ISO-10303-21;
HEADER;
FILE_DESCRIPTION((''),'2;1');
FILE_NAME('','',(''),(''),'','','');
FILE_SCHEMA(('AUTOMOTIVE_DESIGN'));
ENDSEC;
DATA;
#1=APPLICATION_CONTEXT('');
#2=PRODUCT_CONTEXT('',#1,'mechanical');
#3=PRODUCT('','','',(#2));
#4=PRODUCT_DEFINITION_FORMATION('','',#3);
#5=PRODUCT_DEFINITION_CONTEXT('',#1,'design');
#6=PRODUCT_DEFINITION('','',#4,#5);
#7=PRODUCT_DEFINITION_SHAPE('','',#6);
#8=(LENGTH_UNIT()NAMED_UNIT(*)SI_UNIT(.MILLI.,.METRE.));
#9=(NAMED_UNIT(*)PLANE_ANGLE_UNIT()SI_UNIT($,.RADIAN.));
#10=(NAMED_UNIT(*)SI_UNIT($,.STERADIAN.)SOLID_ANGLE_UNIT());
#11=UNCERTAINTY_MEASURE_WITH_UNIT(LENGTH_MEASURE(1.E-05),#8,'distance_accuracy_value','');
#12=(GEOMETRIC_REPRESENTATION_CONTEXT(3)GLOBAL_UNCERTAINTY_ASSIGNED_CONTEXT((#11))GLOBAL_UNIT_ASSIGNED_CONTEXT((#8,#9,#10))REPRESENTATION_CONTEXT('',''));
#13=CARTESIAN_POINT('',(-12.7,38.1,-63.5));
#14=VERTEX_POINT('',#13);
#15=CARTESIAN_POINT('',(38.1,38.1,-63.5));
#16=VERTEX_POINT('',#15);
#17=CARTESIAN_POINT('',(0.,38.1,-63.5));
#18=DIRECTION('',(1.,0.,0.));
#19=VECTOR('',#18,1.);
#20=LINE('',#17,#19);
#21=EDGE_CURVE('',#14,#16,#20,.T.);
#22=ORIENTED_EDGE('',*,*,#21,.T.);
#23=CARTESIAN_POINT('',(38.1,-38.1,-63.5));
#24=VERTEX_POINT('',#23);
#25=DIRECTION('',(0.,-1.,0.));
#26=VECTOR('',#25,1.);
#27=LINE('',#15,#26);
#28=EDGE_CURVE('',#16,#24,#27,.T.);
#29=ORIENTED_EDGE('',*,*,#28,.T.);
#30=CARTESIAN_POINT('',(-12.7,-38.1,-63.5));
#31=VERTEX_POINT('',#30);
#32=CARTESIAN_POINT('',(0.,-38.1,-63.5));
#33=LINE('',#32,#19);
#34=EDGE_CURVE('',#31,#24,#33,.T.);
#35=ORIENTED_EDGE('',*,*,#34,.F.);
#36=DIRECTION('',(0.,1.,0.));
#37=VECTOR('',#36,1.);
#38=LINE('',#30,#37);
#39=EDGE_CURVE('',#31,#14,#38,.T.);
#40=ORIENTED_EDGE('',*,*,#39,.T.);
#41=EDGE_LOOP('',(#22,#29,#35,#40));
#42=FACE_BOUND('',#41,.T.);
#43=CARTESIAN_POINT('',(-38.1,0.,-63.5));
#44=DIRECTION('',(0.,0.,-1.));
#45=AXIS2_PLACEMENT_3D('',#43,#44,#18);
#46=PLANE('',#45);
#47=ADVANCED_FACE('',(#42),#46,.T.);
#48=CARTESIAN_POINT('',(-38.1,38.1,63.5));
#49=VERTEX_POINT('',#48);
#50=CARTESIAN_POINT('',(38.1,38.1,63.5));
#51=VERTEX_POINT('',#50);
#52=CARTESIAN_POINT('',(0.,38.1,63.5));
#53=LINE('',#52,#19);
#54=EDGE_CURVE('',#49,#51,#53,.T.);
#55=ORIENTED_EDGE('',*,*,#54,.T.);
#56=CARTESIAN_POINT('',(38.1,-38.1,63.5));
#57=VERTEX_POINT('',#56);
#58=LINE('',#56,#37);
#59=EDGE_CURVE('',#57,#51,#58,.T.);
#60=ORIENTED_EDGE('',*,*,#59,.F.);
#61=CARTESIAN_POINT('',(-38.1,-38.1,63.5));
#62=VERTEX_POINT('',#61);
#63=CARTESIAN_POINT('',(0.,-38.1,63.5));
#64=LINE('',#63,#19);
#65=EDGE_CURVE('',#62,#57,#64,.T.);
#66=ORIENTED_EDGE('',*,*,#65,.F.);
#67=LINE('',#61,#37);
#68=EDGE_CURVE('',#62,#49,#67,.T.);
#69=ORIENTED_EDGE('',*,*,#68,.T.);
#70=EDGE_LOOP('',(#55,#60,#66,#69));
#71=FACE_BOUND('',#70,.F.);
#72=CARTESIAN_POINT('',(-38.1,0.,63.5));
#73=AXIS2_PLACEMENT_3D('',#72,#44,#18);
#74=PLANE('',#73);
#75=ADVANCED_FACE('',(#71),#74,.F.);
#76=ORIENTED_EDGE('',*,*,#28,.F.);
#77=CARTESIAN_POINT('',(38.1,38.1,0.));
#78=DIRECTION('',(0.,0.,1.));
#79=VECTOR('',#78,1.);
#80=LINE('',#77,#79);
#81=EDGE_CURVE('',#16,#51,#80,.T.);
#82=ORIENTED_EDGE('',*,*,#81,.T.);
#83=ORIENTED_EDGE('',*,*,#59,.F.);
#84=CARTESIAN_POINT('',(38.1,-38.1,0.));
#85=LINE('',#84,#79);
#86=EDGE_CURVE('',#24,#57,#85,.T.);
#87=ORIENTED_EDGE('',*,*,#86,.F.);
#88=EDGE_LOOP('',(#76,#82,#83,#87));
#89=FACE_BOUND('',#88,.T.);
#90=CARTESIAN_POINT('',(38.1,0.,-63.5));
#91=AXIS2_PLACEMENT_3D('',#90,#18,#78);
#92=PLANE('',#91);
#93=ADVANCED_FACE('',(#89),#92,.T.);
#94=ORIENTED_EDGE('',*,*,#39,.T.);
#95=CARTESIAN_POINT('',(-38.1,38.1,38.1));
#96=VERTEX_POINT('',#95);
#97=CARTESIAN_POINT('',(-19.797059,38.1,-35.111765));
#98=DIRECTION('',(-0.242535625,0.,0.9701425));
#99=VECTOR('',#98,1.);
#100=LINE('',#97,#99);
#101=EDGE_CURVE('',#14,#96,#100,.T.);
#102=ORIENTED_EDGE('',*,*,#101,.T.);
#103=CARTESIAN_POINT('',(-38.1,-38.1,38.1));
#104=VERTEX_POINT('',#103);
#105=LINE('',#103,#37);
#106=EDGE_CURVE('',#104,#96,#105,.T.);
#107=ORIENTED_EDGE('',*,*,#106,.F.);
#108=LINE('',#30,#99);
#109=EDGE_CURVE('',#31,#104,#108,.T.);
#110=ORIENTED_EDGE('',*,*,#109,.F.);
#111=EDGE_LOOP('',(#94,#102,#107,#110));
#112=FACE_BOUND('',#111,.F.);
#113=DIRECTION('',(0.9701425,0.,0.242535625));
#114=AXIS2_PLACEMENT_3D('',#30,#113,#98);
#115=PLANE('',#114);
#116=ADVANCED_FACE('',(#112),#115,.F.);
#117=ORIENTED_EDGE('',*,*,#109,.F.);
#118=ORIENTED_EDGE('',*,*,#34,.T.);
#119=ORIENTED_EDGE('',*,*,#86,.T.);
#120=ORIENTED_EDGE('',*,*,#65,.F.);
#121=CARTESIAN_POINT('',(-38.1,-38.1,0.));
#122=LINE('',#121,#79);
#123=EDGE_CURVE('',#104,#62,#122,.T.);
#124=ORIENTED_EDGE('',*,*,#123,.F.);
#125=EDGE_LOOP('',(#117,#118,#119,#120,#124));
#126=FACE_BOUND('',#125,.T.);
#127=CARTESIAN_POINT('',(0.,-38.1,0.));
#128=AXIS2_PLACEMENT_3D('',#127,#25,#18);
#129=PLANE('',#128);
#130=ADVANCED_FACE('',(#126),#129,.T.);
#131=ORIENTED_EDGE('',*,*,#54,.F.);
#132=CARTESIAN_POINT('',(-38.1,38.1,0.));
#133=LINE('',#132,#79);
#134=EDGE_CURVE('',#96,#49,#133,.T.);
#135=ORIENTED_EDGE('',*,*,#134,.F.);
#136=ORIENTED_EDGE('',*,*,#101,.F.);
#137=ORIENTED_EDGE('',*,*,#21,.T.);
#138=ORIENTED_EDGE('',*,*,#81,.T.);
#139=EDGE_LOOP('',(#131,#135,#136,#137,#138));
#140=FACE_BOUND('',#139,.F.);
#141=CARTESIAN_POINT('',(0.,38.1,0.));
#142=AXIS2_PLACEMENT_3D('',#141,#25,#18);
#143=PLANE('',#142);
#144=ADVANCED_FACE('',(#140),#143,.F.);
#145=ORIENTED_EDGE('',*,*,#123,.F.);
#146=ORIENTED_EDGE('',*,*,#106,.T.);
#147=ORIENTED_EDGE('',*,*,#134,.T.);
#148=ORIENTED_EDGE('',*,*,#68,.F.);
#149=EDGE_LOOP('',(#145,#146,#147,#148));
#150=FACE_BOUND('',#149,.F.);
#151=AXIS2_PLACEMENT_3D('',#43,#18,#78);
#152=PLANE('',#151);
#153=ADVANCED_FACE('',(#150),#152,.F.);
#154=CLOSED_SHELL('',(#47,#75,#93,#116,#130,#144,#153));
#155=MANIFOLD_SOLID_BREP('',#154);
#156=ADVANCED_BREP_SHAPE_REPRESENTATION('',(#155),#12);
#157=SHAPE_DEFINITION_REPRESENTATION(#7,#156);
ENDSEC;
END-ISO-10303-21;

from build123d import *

# Parameters (mm, degrees)
F0_W     = 76.2
F0_H     = 127
F1_DEPTH = 38.1
F3_DEPTH = 76.201


with BuildPart() as f1:
    # F0 (on Front) → F1 (new body, symmetric)
    with BuildSketch(Plane.XZ):
        Rectangle(F0_W, F0_H)
    extrude(amount=F1_DEPTH, both=True)

    # F2 (on face) → F3 (cut, through all)
    with BuildSketch(Plane.XZ.offset(38.1)):
        Polygon((-38.1, 38.1), (-38.1, -63.5), (-12.7, -63.5), align=None)
    extrude(amount=-F3_DEPTH, mode=Mode.SUBTRACT)


solid = f1.part
